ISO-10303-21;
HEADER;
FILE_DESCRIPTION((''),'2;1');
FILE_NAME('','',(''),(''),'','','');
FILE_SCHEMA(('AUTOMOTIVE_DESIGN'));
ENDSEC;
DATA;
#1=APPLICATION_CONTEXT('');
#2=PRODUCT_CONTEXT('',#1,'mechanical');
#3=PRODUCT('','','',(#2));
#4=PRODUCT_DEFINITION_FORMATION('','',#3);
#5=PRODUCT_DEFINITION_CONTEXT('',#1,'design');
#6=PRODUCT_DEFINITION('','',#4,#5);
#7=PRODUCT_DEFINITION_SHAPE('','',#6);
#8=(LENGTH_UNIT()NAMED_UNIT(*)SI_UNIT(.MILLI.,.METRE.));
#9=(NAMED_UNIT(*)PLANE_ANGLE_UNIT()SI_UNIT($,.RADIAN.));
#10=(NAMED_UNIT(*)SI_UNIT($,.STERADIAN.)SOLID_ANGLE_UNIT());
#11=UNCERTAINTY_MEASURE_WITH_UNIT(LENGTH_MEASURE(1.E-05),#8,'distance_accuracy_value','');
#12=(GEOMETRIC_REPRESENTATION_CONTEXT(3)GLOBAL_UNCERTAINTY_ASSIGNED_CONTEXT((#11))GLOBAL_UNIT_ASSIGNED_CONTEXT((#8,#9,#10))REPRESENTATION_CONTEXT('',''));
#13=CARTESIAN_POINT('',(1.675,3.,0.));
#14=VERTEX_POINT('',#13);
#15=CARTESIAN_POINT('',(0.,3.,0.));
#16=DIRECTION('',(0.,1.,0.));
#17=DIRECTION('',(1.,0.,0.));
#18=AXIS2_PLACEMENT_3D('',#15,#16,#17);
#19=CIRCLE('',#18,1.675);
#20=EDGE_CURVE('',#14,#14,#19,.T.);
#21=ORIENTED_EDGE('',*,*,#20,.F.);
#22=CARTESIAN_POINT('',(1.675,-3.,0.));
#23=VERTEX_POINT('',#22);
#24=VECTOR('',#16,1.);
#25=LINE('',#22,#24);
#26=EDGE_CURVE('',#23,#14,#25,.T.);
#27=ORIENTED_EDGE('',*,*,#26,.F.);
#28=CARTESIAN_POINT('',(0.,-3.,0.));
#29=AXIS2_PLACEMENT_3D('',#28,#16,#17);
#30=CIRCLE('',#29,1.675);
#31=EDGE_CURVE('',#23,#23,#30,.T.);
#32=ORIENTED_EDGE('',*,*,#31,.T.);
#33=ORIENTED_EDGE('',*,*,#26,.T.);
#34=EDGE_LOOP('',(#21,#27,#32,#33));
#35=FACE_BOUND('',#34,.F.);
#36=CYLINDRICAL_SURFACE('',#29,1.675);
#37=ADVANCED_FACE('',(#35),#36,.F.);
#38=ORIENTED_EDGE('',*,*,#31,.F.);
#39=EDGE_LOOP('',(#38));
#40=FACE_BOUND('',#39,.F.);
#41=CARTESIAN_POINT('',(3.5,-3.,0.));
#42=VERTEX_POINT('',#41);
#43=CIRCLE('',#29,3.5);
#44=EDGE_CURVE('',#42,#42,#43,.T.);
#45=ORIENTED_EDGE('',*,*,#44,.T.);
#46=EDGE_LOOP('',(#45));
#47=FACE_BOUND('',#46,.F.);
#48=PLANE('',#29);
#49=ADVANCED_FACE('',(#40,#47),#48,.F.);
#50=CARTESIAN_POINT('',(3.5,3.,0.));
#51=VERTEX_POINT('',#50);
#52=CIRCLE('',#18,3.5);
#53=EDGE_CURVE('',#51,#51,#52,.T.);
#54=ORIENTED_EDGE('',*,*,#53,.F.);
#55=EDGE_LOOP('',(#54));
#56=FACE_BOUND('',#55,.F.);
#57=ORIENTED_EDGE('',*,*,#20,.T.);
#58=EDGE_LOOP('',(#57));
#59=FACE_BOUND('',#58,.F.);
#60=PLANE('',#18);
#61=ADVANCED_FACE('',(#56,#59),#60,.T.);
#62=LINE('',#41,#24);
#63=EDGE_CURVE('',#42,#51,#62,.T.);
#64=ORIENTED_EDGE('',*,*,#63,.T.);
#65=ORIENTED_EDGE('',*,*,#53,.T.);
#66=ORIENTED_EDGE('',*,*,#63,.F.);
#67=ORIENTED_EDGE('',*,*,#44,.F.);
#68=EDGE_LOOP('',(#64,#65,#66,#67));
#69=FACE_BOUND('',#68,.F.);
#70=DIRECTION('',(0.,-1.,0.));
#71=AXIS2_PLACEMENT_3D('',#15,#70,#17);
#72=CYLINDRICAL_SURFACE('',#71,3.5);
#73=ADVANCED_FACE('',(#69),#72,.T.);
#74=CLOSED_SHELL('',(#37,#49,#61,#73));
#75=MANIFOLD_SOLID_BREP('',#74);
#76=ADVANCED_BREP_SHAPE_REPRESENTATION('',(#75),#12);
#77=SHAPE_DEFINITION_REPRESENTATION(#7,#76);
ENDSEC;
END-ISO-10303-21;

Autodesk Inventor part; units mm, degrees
ref_plane "YZ Plane" through (0, 0, 0) normal (1, 0, 0) x (0, 1, 0)
ref_plane "XZ Plane" through (0, 0, 0) normal (0, 1, 0) x (-1, 0, 0)
ref_plane "XY Plane" through (0, 0, 0) normal (0, 0, 1) x (1, 0, 0)
sketch "Skizze1" plane through (0, 0, 0) normal (0, 0, 1) x (1, 0, 0)
  line L0 (0, -3) -> (0, 3)
  line L1 (-0.7, 0) -> (4.2, 0) projected
  line L2 (0, 3) -> (1.675, 3) construction
  line L3 (3.5, 3) -> (3.5, -3)
  line L4 (3.5, -3) -> (1.675, -3)
  line L5 (1.675, -3) -> (1.675, 3)
  line L6 (1.675, -3) -> (0, -3) construction
  line L7 (1.675, 3) -> (3.5, 3)
  point P0 (0, 0)
  dimension "d0" = 90
  dimension "d1" = 7
  dimension "d2" = 3.35
  dimension "d3" = 6
revolve "Umdrehung1" add sketch "Skizze1" angle 360 about axis through (0, -3, 0) along (0, 1, 0)
properties part number "_3D-Druck"
